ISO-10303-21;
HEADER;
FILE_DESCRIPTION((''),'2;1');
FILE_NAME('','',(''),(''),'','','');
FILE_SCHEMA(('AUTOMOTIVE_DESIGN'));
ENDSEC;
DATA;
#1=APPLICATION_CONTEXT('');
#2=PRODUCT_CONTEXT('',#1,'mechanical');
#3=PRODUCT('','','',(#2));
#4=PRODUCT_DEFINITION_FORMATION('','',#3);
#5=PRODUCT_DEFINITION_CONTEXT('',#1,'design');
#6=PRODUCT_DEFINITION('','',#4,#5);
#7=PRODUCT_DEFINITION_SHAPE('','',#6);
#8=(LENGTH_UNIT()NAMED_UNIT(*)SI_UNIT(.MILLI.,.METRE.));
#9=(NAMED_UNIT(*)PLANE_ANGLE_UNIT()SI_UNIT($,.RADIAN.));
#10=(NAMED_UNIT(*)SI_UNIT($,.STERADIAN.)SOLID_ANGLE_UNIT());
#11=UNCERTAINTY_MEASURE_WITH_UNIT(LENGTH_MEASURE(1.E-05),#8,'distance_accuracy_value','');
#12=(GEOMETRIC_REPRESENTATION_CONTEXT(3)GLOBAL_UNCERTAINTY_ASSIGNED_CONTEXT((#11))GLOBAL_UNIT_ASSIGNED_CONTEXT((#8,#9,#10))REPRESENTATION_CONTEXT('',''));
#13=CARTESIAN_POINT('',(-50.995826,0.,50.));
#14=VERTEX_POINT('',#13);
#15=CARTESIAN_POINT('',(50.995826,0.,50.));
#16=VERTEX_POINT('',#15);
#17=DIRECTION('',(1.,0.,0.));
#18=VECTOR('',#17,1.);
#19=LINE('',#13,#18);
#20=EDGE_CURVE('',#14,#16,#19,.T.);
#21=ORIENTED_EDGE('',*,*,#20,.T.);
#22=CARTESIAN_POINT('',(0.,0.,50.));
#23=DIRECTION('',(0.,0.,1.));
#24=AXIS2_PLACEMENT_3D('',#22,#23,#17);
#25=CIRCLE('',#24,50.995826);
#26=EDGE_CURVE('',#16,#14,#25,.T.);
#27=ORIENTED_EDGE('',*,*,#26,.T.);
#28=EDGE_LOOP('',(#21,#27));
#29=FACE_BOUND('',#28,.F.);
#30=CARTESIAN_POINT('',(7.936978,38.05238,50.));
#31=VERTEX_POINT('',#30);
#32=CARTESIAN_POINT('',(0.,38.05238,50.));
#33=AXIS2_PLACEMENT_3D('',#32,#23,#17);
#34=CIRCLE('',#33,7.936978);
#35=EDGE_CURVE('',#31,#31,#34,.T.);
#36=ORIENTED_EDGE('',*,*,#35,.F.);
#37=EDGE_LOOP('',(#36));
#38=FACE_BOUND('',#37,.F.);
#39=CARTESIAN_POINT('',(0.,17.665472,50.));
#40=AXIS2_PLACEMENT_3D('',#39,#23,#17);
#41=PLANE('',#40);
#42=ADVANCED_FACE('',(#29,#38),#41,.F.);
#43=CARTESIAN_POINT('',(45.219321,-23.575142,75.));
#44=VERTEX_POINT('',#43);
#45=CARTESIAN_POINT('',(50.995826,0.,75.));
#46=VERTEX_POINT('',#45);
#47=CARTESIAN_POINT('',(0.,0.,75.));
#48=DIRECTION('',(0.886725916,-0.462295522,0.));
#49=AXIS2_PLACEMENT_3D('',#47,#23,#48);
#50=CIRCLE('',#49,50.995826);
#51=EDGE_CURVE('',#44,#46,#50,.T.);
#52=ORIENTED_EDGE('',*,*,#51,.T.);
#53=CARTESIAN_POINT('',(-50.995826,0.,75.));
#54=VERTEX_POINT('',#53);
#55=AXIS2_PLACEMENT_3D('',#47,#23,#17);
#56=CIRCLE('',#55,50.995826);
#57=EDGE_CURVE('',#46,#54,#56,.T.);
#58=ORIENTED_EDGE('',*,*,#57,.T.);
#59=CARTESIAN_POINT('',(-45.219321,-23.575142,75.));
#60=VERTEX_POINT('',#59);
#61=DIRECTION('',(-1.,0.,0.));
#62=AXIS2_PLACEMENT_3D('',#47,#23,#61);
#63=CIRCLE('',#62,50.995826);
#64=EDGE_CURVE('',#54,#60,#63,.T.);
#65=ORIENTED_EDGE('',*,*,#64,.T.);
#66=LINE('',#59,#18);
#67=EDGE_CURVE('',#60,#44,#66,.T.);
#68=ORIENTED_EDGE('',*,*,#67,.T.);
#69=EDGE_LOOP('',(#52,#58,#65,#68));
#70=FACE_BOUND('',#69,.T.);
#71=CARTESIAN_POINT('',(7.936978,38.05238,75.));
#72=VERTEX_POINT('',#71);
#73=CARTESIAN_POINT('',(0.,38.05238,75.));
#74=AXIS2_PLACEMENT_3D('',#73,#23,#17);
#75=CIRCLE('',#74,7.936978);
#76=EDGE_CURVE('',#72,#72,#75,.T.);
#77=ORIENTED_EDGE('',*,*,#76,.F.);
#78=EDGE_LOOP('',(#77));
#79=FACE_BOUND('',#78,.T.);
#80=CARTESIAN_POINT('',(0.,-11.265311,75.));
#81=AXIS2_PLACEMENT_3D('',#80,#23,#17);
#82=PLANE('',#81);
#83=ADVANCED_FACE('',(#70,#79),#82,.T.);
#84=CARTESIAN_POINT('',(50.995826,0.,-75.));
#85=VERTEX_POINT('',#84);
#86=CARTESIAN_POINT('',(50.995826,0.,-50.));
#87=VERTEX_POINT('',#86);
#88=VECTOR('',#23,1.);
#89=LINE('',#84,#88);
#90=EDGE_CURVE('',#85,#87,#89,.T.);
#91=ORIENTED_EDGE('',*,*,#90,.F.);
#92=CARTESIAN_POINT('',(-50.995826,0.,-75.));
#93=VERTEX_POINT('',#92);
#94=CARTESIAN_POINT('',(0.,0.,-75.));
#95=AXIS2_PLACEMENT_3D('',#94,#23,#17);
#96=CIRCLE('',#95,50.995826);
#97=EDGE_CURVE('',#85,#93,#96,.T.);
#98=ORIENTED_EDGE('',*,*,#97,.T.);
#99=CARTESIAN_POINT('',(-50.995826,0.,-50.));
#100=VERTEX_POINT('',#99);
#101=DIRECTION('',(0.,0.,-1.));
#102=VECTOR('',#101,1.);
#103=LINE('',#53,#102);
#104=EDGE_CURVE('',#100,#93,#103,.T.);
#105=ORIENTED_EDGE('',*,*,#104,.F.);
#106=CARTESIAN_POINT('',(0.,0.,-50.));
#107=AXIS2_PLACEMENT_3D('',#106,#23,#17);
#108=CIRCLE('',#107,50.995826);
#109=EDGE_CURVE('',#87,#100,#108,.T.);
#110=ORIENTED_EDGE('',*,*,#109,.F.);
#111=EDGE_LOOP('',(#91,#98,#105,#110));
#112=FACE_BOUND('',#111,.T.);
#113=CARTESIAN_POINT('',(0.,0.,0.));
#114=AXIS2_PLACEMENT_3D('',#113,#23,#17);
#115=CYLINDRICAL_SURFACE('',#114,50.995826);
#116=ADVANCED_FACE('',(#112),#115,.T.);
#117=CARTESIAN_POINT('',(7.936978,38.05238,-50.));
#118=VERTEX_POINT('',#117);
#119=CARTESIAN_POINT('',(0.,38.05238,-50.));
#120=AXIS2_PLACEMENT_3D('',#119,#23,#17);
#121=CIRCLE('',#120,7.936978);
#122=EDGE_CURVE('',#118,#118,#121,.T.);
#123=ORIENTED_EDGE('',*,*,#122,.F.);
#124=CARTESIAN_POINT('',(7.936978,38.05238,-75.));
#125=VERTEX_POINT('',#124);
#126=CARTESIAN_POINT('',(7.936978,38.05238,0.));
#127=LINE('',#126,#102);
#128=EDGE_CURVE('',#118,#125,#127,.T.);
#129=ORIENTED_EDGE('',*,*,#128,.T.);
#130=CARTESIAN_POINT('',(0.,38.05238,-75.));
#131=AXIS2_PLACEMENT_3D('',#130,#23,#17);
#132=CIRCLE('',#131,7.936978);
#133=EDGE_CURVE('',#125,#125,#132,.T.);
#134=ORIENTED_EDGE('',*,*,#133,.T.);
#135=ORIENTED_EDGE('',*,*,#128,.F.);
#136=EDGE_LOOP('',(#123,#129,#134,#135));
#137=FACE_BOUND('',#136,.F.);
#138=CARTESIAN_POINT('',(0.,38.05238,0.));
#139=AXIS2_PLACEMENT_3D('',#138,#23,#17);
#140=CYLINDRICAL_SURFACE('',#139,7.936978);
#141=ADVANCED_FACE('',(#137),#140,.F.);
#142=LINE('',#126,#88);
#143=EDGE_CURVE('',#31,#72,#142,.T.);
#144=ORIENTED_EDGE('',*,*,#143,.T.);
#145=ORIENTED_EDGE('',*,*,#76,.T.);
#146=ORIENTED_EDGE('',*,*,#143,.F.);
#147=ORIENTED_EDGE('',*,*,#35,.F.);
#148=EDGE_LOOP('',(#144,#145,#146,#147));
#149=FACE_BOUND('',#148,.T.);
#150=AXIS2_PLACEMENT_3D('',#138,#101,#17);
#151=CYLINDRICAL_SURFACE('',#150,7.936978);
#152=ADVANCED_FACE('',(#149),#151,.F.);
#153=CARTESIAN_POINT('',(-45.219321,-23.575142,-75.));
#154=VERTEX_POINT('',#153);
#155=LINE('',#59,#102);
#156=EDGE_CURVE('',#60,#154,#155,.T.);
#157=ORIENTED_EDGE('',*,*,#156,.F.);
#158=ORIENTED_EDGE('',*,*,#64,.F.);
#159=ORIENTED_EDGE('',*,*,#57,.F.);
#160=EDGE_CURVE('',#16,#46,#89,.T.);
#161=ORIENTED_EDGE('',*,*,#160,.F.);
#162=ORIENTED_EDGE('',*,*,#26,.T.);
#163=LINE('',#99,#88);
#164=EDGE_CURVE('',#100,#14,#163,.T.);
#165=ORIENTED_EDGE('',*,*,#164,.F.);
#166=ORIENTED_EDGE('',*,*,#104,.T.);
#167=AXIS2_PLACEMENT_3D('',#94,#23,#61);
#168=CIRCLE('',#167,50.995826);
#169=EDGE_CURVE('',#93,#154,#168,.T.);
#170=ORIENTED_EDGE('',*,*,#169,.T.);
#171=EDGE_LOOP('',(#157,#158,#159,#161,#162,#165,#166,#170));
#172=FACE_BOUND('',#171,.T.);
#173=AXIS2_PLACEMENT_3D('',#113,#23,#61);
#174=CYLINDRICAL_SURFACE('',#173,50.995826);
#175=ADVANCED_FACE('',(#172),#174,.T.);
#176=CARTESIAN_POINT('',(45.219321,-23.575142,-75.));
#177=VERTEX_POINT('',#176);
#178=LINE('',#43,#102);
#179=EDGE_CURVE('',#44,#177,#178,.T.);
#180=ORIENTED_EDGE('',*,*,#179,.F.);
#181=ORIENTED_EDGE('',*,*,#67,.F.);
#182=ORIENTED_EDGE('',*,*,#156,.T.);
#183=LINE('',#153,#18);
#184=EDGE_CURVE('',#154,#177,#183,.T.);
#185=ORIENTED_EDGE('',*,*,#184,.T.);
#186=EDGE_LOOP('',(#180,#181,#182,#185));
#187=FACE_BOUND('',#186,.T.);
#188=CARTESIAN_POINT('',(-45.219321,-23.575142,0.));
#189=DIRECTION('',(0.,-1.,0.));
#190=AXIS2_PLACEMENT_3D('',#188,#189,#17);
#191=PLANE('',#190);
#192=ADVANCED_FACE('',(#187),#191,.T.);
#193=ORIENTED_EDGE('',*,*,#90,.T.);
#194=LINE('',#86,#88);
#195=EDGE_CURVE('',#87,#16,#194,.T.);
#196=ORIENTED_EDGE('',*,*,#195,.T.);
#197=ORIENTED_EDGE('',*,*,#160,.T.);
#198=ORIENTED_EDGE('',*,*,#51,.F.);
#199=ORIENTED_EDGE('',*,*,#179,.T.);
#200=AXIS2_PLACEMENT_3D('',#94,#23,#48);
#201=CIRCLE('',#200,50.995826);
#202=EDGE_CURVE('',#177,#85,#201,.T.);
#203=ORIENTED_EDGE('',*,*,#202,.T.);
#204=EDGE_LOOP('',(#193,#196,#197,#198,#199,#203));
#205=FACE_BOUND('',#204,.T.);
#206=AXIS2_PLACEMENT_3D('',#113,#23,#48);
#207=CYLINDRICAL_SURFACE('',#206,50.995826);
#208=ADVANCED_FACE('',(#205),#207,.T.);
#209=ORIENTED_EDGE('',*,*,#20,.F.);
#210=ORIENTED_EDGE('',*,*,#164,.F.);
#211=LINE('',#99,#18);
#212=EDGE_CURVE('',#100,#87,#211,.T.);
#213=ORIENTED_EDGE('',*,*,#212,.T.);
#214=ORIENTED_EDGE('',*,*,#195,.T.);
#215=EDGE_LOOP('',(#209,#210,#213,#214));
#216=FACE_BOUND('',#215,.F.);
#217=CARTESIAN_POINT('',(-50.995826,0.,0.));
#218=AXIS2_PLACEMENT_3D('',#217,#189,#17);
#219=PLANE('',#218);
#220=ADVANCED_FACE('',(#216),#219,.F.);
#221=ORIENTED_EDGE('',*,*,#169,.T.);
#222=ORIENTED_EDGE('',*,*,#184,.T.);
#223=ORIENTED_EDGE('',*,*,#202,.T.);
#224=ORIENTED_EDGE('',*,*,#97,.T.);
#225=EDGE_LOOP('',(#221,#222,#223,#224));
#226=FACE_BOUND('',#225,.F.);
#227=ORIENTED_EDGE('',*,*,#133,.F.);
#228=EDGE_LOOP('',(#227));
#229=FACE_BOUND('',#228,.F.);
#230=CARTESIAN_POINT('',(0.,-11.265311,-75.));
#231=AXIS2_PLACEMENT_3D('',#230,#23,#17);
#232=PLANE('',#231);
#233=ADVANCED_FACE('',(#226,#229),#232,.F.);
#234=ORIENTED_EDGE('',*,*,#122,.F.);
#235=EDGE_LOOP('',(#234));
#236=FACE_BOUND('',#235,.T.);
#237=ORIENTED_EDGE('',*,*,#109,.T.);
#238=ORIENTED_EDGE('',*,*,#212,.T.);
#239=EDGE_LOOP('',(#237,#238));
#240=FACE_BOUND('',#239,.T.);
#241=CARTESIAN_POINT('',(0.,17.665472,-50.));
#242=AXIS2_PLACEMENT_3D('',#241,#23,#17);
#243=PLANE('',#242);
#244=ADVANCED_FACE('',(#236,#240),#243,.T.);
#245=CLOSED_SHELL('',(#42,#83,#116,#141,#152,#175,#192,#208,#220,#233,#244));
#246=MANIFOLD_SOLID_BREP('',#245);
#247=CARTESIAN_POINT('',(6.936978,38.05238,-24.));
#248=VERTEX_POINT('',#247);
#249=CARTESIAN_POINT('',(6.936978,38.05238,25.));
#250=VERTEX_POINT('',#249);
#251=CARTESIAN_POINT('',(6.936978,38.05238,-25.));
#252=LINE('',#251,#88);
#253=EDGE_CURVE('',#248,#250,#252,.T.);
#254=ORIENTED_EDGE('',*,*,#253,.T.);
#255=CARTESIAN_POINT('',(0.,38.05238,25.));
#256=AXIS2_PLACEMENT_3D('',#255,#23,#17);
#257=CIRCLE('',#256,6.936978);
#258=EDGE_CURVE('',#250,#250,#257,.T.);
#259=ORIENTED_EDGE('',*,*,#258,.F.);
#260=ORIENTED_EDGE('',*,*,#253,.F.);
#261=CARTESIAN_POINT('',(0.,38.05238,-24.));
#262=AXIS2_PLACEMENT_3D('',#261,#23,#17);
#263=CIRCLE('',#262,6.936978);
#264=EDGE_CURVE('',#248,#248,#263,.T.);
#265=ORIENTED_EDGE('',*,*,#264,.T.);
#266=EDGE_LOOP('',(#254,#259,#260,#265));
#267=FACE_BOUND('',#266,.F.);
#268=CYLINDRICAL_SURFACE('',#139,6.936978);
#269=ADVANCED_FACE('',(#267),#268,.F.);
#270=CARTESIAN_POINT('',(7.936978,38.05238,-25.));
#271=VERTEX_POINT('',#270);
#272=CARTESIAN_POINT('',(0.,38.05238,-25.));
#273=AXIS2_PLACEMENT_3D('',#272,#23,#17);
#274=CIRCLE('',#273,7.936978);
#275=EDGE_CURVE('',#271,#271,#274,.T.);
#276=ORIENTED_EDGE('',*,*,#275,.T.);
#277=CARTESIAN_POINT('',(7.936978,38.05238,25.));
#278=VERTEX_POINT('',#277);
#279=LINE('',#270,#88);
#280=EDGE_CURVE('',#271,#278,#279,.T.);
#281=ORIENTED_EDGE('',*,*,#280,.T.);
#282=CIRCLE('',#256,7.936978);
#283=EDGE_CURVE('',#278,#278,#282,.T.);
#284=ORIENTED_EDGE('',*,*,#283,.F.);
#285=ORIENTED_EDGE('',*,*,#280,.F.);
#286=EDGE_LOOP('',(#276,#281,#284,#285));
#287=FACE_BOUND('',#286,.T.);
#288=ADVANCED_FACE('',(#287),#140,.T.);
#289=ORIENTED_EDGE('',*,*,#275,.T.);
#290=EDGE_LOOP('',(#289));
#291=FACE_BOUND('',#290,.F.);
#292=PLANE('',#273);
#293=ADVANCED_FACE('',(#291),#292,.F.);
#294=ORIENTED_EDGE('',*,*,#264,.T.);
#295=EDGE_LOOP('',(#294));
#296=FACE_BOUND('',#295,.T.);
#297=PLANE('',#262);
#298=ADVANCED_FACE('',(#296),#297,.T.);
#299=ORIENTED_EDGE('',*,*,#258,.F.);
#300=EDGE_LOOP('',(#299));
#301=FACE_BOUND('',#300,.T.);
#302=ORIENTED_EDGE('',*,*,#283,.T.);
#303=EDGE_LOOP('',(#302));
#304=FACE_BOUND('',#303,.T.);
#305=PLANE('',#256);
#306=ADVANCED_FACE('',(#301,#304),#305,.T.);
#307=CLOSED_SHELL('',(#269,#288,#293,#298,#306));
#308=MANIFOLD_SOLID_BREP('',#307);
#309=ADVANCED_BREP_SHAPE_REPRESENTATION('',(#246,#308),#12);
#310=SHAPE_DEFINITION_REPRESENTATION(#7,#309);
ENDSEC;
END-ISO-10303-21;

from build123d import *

# Parameters (mm, degrees)
F0_R          = 7.9369782362
F1_DEPTH      = 75
F1_DEPTH_BACK = 75
F2_DEPTH      = 75
F2_DEPTH_BACK = 75
F3_DEPTH      = 50
F3_DEPTH_BACK = 50
F4_DEPTH      = 25
F4_DEPTH_BACK = 25
F5_T          = -1


with BuildPart() as f1:
    # F0 (on Top) → F1 (new body, two sides)
    with BuildSketch(Plane.XY) as f1_sk:
        with BuildLine():
            Line((-50.9958260273, 0), (50.9958260273, 0))
            ThreePointArc((50.9958260273, 0), (0, 50.9958260273), (-50.9958260273, 0))
        make_face()
        with Locations((0, 38.052380085)):
            Circle(F0_R, mode=Mode.SUBTRACT)
    extrude(amount=F1_DEPTH)
    extrude(f1_sk.sketch, amount=-F1_DEPTH_BACK)

    # F0 (on Top) → F2 (join, two sides)
    with BuildSketch(Plane.XY) as f2_sk:
        with BuildLine():
            Line((0, -23.5751420259), (45.2193205462, -23.5751420259))
            ThreePointArc((45.2193205462, -23.5751420259), (49.5306514991, -12.1362611326), (50.9958260273, 0))
            Line((50.9958260273, 0), (-50.9958260273, 0))
            ThreePointArc((-50.9958260273, 0), (-49.5306514991, -12.1362611326), (-45.2193205462, -23.5751420259))
            Line((-45.2193205462, -23.5751420259), (0, -23.5751420259))
        make_face()
    extrude(amount=F2_DEPTH)
    extrude(f2_sk.sketch, amount=-F2_DEPTH_BACK)

    # F0 (on Top) → F3 (cut, two sides)
    with BuildSketch(Plane.XY) as f3_sk:
        with BuildLine():
            Line((-50.9958260273, 0), (50.9958260273, 0))
            ThreePointArc((50.9958260273, 0), (0, 50.9958260273), (-50.9958260273, 0))
        make_face()
        with Locations((0, 38.052380085)):
            Circle(F0_R, mode=Mode.SUBTRACT)
    extrude(amount=-F3_DEPTH, mode=Mode.SUBTRACT)
    extrude(f3_sk.sketch, amount=F3_DEPTH_BACK, mode=Mode.SUBTRACT)


with BuildPart() as f4:
    # F0 (on Top) → F4 (new body, two sides)
    with BuildSketch(Plane.XY) as f4_sk:
        with Locations((0, 38.052380085)):
            Circle(F0_R)
    extrude(amount=F4_DEPTH)
    extrude(f4_sk.sketch, amount=-F4_DEPTH_BACK)

    # F5
    f5_openings = [f4.faces().sort_by_distance(p)[0] for p in [
        (0, 38.05238, 25),
    ]]
    offset(amount=F5_T, openings=f5_openings)


solid = Compound([f1.part, f4.part])
